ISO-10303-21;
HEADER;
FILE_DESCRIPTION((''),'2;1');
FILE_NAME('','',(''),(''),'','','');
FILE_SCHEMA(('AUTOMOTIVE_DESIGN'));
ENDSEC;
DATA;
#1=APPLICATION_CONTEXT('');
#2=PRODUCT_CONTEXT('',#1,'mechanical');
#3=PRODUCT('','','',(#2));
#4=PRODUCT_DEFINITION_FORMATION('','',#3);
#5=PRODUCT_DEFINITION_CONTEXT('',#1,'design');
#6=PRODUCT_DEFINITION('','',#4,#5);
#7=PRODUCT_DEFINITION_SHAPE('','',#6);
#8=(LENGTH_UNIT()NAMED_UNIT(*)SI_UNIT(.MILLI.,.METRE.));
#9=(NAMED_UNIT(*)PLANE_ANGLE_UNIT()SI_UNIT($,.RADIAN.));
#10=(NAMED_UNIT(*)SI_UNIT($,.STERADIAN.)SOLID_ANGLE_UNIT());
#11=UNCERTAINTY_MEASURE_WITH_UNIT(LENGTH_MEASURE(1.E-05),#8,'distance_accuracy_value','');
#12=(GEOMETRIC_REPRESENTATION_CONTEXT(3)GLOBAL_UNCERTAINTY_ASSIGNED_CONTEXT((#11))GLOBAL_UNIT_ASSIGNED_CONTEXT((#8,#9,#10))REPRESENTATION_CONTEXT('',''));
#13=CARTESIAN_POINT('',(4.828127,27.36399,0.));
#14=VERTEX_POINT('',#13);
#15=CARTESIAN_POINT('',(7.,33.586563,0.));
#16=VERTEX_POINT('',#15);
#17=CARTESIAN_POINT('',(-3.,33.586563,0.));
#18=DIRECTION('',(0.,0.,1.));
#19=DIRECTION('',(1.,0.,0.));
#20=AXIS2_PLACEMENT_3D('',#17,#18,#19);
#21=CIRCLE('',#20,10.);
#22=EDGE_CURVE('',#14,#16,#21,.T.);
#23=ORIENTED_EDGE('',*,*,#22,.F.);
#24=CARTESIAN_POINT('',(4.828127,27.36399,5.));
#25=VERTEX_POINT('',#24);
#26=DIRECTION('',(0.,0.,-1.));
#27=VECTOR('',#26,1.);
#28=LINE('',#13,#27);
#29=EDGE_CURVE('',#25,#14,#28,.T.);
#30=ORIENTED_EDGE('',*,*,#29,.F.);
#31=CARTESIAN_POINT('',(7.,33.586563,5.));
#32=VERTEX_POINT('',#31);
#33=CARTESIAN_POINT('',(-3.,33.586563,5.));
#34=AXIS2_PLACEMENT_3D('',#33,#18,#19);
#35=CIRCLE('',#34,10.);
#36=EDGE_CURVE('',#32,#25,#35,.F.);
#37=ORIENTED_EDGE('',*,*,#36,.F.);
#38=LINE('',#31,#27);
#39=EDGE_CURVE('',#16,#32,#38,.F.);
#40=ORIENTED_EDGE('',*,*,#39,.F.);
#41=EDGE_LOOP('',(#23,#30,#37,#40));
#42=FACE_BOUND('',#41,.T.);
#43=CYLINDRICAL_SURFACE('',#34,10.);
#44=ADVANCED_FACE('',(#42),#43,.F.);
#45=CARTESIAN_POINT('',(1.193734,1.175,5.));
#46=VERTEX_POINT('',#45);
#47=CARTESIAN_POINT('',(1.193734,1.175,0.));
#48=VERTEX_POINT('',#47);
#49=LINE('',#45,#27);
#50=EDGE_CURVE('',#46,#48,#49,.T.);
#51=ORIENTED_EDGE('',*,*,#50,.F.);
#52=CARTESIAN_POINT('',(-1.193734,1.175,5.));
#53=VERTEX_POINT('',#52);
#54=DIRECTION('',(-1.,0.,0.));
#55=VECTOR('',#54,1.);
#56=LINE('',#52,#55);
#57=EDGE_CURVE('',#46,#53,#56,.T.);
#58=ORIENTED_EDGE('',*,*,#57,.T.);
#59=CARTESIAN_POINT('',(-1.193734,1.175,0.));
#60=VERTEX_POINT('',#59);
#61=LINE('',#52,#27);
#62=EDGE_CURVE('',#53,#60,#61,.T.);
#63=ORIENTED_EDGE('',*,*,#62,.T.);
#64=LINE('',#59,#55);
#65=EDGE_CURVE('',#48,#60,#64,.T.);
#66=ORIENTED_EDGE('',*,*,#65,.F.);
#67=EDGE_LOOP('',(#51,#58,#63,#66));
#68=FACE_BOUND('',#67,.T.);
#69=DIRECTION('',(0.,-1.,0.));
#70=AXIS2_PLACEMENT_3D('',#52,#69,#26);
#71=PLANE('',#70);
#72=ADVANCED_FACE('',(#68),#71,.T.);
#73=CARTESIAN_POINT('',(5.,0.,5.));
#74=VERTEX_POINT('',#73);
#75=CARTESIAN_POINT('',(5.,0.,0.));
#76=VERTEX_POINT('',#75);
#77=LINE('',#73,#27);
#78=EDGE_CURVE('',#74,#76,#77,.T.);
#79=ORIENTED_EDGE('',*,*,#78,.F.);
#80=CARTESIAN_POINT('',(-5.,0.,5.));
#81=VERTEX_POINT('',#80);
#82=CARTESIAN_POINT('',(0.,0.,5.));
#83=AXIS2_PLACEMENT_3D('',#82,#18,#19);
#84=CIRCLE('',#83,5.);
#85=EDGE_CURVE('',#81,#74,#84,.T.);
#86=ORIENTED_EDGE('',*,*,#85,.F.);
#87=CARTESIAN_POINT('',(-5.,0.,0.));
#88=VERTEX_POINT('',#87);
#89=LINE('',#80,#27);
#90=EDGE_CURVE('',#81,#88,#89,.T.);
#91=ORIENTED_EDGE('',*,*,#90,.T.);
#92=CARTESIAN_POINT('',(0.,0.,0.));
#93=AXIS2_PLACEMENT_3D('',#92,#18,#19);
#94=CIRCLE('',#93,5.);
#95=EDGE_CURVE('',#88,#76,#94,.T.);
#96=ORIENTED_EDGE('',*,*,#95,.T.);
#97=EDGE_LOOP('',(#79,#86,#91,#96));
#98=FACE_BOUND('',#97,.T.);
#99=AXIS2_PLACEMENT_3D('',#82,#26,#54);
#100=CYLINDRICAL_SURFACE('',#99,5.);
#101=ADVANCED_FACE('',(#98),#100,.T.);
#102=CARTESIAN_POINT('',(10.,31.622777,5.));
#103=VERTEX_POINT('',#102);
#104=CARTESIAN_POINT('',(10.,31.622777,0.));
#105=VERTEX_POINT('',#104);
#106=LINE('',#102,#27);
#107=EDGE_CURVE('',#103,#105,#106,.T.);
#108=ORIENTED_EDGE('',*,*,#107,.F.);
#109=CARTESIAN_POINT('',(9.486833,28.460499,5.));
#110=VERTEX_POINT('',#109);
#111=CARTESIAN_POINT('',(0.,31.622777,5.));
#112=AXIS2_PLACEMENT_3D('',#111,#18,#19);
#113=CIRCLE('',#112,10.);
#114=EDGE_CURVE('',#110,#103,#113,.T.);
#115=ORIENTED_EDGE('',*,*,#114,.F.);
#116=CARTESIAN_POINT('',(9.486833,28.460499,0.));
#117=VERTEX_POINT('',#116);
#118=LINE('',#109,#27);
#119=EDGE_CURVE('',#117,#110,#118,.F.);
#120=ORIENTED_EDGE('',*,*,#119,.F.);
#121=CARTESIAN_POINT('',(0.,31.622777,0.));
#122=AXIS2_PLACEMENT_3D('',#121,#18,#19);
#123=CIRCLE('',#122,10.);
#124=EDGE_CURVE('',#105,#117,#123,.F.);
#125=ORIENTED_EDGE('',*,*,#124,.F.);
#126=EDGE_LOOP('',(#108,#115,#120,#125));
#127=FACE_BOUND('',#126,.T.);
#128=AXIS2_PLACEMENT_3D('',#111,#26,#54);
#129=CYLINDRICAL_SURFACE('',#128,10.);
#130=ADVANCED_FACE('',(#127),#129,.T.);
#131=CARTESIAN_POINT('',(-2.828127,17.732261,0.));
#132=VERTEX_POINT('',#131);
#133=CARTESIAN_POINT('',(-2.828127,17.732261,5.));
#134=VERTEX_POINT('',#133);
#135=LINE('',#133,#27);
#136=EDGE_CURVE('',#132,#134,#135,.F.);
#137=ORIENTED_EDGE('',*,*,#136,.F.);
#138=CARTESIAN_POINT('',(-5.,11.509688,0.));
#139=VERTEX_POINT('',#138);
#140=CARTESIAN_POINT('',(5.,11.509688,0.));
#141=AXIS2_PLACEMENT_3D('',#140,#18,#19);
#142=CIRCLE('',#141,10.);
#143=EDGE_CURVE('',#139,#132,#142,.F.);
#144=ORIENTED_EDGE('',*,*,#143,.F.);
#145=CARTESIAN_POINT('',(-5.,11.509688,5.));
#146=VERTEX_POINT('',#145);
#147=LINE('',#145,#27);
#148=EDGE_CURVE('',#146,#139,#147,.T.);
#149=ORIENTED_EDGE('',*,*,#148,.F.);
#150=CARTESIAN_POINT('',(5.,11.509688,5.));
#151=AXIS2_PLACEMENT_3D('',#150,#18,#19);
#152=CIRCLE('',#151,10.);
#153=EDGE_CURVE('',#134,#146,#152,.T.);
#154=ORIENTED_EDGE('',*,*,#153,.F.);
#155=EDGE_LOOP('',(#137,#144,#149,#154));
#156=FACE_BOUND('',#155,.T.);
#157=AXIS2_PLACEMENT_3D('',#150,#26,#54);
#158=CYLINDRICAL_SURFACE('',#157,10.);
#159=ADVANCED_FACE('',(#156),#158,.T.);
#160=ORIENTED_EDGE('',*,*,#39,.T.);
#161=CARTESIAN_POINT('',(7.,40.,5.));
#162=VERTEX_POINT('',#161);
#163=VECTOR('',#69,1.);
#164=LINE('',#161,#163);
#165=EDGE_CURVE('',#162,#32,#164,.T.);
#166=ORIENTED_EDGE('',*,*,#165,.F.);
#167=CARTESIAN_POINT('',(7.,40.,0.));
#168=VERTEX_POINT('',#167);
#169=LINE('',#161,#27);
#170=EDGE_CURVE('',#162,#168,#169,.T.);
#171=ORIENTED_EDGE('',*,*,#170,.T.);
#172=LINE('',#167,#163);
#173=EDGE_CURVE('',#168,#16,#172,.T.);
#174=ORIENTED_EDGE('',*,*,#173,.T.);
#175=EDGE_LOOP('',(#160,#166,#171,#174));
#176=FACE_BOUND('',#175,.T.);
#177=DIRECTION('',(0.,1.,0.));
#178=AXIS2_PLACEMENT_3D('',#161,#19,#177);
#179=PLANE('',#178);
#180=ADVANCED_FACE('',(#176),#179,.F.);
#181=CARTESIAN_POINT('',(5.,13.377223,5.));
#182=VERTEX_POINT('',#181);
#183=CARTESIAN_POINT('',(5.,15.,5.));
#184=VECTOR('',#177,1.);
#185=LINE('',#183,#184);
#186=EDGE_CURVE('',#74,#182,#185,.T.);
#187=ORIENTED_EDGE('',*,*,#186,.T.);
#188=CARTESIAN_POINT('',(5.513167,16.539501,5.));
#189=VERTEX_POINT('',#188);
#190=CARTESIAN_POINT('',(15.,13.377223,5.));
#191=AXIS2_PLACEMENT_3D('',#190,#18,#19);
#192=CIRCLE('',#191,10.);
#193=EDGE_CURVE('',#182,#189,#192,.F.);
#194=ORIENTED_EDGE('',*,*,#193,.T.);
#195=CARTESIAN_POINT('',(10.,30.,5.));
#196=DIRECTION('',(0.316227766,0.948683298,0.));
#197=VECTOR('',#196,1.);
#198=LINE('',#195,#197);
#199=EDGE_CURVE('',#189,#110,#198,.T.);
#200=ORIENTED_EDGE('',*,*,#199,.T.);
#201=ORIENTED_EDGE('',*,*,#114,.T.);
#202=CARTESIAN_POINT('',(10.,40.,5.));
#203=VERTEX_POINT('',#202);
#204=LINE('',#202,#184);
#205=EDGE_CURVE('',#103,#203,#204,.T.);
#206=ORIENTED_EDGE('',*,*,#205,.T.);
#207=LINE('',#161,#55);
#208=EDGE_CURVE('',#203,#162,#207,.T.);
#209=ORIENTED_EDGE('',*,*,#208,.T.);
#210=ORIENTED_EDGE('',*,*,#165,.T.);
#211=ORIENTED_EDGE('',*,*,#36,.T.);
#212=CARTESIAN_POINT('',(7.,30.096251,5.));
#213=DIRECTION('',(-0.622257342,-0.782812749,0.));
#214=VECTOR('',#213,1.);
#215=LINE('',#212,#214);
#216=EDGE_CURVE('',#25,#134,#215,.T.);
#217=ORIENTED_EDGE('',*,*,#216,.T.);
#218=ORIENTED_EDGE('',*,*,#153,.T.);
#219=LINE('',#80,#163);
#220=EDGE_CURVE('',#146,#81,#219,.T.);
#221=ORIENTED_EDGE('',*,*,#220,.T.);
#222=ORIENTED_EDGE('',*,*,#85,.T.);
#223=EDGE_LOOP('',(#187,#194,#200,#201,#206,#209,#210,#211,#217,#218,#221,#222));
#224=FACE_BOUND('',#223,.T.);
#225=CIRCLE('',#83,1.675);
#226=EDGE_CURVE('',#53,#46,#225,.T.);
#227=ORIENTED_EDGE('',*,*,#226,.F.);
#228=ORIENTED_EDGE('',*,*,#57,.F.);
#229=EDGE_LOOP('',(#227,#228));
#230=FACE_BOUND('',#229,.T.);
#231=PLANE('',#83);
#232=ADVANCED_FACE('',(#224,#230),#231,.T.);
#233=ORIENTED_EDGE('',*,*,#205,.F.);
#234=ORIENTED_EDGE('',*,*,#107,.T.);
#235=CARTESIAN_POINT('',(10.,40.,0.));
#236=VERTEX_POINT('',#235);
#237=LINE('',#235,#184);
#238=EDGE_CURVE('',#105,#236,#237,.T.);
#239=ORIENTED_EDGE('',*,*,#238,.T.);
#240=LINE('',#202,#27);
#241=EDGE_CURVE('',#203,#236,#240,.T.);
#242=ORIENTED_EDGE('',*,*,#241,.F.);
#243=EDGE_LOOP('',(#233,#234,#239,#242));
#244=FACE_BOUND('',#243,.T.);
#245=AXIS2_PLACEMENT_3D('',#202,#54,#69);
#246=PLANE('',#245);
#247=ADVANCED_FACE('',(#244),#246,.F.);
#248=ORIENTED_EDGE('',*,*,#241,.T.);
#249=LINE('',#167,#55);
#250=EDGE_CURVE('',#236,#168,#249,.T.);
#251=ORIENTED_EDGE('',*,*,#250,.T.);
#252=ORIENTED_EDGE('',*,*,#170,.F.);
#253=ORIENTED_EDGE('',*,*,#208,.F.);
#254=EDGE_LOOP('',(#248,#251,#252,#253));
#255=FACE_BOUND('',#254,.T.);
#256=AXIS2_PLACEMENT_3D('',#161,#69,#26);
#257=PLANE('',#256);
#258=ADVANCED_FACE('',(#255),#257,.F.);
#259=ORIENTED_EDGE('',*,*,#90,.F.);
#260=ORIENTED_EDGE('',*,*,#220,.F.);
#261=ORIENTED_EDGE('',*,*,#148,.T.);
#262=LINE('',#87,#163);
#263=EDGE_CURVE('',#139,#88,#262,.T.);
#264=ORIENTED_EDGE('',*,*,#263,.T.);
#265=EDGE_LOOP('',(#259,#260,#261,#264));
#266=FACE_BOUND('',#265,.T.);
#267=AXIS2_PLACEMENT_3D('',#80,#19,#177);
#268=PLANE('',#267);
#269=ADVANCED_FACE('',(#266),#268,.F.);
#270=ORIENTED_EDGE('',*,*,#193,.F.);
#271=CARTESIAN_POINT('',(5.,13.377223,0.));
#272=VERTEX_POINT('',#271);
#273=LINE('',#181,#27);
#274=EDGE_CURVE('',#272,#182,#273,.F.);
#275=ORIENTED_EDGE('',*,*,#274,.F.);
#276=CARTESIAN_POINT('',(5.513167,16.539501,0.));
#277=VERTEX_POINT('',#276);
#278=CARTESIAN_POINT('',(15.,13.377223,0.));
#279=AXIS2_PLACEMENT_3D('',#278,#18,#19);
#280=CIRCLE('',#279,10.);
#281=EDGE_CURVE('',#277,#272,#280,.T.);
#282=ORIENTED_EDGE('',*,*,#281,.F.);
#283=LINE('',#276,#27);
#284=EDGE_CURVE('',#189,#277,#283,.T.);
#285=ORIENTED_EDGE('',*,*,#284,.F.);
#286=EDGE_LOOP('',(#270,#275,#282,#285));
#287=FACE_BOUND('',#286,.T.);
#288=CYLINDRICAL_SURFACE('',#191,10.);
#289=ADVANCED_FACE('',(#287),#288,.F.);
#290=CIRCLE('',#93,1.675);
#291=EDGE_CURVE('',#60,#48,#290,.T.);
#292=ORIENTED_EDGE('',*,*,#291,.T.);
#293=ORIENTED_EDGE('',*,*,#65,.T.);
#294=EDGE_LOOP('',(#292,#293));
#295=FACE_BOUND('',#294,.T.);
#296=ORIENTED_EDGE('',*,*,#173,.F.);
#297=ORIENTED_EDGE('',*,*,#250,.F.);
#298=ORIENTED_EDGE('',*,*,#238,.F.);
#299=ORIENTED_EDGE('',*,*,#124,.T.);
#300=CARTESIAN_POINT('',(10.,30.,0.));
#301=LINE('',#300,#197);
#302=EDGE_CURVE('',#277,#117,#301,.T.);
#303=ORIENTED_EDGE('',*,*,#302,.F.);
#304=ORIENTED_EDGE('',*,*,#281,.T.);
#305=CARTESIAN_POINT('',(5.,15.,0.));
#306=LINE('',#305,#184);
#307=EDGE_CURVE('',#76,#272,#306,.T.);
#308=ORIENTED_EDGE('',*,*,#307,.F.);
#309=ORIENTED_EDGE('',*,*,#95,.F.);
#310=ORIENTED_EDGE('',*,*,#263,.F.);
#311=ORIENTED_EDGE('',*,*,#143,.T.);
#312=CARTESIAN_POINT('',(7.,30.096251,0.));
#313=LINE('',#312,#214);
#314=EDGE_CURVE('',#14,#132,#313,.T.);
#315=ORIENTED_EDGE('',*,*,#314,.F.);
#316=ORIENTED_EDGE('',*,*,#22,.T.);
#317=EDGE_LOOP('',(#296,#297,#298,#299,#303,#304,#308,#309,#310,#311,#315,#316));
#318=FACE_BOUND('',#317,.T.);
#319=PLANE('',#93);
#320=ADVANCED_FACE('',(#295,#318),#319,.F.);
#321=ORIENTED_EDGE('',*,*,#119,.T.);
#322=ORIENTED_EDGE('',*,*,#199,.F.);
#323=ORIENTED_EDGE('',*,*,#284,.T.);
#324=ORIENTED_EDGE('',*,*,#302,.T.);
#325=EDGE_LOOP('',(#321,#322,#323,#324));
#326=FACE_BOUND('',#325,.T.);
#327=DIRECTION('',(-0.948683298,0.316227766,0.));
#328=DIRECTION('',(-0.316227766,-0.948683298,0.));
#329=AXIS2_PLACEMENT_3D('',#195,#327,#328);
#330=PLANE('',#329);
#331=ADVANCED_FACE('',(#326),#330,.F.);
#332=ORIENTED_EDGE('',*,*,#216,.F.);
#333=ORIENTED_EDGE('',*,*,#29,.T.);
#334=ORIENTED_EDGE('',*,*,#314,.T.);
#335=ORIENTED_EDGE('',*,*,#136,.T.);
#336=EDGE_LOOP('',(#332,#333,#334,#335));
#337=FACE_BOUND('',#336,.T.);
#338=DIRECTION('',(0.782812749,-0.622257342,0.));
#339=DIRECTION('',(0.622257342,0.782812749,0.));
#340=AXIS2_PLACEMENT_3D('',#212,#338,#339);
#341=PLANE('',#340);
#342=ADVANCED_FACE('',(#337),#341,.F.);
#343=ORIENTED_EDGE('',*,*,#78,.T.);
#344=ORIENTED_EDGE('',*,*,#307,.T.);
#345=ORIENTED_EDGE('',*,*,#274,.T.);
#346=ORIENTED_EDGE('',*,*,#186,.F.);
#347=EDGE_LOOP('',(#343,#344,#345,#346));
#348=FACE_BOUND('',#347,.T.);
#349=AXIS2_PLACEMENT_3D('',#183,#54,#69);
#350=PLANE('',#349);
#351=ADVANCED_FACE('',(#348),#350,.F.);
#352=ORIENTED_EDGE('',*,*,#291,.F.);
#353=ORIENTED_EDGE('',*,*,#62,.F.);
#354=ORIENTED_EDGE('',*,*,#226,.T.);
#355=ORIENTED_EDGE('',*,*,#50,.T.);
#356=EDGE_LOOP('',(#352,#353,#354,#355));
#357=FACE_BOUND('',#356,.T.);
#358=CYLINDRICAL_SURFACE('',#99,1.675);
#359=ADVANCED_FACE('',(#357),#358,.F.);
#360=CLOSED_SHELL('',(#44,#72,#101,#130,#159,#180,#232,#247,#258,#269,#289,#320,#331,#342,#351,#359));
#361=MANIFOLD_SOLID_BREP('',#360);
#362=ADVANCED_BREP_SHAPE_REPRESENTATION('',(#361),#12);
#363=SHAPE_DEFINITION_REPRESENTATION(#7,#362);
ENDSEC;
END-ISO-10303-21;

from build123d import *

# Parameters (mm, degrees)
BOSS_EXTRUDE1_DEPTH = 5
FILLET1_R           = 10
FILLET2_R           = 10


with BuildPart() as part:
    # Sketch1 → Boss-Extrude1 (new body)
    with BuildSketch(Plane.XY):
        with BuildLine():
            Line((-5, 0), (-5, 15))
            Line((-5, 15), (7, 30.096250941))
            Line((7, 30.096250941), (7, 40))
            Line((7, 40), (10, 40))
            Line((10, 40), (10, 30))
            Line((10, 30), (5, 15))
            Line((5, 15), (5, 0))
            ThreePointArc((5, 0), (0, -5), (-5, 0))
        make_face()
        with BuildLine():
            Line((-1.193733639, 1.175), (1.193733639, 1.175))
            ThreePointArc((1.193733639, 1.175), (0, -1.675), (-1.193733639, 1.175))
        make_face(mode=Mode.SUBTRACT)
    extrude(amount=BOSS_EXTRUDE1_DEPTH)

    # Fillet1
    fillet1_edges = [part.edges().sort_by_distance(p)[0] for p in [
        (-5, 15, 2.5),
        (10, 30, 2.5),
    ]]
    fillet(fillet1_edges, radius=FILLET1_R)

    # Fillet2
    fillet2_edges = [part.edges().sort_by_distance(p)[0] for p in [
        (7, 30.096250941, 2.5),
        (5, 15, 2.5),
    ]]
    fillet(fillet2_edges, radius=FILLET2_R)


solid = part.part
